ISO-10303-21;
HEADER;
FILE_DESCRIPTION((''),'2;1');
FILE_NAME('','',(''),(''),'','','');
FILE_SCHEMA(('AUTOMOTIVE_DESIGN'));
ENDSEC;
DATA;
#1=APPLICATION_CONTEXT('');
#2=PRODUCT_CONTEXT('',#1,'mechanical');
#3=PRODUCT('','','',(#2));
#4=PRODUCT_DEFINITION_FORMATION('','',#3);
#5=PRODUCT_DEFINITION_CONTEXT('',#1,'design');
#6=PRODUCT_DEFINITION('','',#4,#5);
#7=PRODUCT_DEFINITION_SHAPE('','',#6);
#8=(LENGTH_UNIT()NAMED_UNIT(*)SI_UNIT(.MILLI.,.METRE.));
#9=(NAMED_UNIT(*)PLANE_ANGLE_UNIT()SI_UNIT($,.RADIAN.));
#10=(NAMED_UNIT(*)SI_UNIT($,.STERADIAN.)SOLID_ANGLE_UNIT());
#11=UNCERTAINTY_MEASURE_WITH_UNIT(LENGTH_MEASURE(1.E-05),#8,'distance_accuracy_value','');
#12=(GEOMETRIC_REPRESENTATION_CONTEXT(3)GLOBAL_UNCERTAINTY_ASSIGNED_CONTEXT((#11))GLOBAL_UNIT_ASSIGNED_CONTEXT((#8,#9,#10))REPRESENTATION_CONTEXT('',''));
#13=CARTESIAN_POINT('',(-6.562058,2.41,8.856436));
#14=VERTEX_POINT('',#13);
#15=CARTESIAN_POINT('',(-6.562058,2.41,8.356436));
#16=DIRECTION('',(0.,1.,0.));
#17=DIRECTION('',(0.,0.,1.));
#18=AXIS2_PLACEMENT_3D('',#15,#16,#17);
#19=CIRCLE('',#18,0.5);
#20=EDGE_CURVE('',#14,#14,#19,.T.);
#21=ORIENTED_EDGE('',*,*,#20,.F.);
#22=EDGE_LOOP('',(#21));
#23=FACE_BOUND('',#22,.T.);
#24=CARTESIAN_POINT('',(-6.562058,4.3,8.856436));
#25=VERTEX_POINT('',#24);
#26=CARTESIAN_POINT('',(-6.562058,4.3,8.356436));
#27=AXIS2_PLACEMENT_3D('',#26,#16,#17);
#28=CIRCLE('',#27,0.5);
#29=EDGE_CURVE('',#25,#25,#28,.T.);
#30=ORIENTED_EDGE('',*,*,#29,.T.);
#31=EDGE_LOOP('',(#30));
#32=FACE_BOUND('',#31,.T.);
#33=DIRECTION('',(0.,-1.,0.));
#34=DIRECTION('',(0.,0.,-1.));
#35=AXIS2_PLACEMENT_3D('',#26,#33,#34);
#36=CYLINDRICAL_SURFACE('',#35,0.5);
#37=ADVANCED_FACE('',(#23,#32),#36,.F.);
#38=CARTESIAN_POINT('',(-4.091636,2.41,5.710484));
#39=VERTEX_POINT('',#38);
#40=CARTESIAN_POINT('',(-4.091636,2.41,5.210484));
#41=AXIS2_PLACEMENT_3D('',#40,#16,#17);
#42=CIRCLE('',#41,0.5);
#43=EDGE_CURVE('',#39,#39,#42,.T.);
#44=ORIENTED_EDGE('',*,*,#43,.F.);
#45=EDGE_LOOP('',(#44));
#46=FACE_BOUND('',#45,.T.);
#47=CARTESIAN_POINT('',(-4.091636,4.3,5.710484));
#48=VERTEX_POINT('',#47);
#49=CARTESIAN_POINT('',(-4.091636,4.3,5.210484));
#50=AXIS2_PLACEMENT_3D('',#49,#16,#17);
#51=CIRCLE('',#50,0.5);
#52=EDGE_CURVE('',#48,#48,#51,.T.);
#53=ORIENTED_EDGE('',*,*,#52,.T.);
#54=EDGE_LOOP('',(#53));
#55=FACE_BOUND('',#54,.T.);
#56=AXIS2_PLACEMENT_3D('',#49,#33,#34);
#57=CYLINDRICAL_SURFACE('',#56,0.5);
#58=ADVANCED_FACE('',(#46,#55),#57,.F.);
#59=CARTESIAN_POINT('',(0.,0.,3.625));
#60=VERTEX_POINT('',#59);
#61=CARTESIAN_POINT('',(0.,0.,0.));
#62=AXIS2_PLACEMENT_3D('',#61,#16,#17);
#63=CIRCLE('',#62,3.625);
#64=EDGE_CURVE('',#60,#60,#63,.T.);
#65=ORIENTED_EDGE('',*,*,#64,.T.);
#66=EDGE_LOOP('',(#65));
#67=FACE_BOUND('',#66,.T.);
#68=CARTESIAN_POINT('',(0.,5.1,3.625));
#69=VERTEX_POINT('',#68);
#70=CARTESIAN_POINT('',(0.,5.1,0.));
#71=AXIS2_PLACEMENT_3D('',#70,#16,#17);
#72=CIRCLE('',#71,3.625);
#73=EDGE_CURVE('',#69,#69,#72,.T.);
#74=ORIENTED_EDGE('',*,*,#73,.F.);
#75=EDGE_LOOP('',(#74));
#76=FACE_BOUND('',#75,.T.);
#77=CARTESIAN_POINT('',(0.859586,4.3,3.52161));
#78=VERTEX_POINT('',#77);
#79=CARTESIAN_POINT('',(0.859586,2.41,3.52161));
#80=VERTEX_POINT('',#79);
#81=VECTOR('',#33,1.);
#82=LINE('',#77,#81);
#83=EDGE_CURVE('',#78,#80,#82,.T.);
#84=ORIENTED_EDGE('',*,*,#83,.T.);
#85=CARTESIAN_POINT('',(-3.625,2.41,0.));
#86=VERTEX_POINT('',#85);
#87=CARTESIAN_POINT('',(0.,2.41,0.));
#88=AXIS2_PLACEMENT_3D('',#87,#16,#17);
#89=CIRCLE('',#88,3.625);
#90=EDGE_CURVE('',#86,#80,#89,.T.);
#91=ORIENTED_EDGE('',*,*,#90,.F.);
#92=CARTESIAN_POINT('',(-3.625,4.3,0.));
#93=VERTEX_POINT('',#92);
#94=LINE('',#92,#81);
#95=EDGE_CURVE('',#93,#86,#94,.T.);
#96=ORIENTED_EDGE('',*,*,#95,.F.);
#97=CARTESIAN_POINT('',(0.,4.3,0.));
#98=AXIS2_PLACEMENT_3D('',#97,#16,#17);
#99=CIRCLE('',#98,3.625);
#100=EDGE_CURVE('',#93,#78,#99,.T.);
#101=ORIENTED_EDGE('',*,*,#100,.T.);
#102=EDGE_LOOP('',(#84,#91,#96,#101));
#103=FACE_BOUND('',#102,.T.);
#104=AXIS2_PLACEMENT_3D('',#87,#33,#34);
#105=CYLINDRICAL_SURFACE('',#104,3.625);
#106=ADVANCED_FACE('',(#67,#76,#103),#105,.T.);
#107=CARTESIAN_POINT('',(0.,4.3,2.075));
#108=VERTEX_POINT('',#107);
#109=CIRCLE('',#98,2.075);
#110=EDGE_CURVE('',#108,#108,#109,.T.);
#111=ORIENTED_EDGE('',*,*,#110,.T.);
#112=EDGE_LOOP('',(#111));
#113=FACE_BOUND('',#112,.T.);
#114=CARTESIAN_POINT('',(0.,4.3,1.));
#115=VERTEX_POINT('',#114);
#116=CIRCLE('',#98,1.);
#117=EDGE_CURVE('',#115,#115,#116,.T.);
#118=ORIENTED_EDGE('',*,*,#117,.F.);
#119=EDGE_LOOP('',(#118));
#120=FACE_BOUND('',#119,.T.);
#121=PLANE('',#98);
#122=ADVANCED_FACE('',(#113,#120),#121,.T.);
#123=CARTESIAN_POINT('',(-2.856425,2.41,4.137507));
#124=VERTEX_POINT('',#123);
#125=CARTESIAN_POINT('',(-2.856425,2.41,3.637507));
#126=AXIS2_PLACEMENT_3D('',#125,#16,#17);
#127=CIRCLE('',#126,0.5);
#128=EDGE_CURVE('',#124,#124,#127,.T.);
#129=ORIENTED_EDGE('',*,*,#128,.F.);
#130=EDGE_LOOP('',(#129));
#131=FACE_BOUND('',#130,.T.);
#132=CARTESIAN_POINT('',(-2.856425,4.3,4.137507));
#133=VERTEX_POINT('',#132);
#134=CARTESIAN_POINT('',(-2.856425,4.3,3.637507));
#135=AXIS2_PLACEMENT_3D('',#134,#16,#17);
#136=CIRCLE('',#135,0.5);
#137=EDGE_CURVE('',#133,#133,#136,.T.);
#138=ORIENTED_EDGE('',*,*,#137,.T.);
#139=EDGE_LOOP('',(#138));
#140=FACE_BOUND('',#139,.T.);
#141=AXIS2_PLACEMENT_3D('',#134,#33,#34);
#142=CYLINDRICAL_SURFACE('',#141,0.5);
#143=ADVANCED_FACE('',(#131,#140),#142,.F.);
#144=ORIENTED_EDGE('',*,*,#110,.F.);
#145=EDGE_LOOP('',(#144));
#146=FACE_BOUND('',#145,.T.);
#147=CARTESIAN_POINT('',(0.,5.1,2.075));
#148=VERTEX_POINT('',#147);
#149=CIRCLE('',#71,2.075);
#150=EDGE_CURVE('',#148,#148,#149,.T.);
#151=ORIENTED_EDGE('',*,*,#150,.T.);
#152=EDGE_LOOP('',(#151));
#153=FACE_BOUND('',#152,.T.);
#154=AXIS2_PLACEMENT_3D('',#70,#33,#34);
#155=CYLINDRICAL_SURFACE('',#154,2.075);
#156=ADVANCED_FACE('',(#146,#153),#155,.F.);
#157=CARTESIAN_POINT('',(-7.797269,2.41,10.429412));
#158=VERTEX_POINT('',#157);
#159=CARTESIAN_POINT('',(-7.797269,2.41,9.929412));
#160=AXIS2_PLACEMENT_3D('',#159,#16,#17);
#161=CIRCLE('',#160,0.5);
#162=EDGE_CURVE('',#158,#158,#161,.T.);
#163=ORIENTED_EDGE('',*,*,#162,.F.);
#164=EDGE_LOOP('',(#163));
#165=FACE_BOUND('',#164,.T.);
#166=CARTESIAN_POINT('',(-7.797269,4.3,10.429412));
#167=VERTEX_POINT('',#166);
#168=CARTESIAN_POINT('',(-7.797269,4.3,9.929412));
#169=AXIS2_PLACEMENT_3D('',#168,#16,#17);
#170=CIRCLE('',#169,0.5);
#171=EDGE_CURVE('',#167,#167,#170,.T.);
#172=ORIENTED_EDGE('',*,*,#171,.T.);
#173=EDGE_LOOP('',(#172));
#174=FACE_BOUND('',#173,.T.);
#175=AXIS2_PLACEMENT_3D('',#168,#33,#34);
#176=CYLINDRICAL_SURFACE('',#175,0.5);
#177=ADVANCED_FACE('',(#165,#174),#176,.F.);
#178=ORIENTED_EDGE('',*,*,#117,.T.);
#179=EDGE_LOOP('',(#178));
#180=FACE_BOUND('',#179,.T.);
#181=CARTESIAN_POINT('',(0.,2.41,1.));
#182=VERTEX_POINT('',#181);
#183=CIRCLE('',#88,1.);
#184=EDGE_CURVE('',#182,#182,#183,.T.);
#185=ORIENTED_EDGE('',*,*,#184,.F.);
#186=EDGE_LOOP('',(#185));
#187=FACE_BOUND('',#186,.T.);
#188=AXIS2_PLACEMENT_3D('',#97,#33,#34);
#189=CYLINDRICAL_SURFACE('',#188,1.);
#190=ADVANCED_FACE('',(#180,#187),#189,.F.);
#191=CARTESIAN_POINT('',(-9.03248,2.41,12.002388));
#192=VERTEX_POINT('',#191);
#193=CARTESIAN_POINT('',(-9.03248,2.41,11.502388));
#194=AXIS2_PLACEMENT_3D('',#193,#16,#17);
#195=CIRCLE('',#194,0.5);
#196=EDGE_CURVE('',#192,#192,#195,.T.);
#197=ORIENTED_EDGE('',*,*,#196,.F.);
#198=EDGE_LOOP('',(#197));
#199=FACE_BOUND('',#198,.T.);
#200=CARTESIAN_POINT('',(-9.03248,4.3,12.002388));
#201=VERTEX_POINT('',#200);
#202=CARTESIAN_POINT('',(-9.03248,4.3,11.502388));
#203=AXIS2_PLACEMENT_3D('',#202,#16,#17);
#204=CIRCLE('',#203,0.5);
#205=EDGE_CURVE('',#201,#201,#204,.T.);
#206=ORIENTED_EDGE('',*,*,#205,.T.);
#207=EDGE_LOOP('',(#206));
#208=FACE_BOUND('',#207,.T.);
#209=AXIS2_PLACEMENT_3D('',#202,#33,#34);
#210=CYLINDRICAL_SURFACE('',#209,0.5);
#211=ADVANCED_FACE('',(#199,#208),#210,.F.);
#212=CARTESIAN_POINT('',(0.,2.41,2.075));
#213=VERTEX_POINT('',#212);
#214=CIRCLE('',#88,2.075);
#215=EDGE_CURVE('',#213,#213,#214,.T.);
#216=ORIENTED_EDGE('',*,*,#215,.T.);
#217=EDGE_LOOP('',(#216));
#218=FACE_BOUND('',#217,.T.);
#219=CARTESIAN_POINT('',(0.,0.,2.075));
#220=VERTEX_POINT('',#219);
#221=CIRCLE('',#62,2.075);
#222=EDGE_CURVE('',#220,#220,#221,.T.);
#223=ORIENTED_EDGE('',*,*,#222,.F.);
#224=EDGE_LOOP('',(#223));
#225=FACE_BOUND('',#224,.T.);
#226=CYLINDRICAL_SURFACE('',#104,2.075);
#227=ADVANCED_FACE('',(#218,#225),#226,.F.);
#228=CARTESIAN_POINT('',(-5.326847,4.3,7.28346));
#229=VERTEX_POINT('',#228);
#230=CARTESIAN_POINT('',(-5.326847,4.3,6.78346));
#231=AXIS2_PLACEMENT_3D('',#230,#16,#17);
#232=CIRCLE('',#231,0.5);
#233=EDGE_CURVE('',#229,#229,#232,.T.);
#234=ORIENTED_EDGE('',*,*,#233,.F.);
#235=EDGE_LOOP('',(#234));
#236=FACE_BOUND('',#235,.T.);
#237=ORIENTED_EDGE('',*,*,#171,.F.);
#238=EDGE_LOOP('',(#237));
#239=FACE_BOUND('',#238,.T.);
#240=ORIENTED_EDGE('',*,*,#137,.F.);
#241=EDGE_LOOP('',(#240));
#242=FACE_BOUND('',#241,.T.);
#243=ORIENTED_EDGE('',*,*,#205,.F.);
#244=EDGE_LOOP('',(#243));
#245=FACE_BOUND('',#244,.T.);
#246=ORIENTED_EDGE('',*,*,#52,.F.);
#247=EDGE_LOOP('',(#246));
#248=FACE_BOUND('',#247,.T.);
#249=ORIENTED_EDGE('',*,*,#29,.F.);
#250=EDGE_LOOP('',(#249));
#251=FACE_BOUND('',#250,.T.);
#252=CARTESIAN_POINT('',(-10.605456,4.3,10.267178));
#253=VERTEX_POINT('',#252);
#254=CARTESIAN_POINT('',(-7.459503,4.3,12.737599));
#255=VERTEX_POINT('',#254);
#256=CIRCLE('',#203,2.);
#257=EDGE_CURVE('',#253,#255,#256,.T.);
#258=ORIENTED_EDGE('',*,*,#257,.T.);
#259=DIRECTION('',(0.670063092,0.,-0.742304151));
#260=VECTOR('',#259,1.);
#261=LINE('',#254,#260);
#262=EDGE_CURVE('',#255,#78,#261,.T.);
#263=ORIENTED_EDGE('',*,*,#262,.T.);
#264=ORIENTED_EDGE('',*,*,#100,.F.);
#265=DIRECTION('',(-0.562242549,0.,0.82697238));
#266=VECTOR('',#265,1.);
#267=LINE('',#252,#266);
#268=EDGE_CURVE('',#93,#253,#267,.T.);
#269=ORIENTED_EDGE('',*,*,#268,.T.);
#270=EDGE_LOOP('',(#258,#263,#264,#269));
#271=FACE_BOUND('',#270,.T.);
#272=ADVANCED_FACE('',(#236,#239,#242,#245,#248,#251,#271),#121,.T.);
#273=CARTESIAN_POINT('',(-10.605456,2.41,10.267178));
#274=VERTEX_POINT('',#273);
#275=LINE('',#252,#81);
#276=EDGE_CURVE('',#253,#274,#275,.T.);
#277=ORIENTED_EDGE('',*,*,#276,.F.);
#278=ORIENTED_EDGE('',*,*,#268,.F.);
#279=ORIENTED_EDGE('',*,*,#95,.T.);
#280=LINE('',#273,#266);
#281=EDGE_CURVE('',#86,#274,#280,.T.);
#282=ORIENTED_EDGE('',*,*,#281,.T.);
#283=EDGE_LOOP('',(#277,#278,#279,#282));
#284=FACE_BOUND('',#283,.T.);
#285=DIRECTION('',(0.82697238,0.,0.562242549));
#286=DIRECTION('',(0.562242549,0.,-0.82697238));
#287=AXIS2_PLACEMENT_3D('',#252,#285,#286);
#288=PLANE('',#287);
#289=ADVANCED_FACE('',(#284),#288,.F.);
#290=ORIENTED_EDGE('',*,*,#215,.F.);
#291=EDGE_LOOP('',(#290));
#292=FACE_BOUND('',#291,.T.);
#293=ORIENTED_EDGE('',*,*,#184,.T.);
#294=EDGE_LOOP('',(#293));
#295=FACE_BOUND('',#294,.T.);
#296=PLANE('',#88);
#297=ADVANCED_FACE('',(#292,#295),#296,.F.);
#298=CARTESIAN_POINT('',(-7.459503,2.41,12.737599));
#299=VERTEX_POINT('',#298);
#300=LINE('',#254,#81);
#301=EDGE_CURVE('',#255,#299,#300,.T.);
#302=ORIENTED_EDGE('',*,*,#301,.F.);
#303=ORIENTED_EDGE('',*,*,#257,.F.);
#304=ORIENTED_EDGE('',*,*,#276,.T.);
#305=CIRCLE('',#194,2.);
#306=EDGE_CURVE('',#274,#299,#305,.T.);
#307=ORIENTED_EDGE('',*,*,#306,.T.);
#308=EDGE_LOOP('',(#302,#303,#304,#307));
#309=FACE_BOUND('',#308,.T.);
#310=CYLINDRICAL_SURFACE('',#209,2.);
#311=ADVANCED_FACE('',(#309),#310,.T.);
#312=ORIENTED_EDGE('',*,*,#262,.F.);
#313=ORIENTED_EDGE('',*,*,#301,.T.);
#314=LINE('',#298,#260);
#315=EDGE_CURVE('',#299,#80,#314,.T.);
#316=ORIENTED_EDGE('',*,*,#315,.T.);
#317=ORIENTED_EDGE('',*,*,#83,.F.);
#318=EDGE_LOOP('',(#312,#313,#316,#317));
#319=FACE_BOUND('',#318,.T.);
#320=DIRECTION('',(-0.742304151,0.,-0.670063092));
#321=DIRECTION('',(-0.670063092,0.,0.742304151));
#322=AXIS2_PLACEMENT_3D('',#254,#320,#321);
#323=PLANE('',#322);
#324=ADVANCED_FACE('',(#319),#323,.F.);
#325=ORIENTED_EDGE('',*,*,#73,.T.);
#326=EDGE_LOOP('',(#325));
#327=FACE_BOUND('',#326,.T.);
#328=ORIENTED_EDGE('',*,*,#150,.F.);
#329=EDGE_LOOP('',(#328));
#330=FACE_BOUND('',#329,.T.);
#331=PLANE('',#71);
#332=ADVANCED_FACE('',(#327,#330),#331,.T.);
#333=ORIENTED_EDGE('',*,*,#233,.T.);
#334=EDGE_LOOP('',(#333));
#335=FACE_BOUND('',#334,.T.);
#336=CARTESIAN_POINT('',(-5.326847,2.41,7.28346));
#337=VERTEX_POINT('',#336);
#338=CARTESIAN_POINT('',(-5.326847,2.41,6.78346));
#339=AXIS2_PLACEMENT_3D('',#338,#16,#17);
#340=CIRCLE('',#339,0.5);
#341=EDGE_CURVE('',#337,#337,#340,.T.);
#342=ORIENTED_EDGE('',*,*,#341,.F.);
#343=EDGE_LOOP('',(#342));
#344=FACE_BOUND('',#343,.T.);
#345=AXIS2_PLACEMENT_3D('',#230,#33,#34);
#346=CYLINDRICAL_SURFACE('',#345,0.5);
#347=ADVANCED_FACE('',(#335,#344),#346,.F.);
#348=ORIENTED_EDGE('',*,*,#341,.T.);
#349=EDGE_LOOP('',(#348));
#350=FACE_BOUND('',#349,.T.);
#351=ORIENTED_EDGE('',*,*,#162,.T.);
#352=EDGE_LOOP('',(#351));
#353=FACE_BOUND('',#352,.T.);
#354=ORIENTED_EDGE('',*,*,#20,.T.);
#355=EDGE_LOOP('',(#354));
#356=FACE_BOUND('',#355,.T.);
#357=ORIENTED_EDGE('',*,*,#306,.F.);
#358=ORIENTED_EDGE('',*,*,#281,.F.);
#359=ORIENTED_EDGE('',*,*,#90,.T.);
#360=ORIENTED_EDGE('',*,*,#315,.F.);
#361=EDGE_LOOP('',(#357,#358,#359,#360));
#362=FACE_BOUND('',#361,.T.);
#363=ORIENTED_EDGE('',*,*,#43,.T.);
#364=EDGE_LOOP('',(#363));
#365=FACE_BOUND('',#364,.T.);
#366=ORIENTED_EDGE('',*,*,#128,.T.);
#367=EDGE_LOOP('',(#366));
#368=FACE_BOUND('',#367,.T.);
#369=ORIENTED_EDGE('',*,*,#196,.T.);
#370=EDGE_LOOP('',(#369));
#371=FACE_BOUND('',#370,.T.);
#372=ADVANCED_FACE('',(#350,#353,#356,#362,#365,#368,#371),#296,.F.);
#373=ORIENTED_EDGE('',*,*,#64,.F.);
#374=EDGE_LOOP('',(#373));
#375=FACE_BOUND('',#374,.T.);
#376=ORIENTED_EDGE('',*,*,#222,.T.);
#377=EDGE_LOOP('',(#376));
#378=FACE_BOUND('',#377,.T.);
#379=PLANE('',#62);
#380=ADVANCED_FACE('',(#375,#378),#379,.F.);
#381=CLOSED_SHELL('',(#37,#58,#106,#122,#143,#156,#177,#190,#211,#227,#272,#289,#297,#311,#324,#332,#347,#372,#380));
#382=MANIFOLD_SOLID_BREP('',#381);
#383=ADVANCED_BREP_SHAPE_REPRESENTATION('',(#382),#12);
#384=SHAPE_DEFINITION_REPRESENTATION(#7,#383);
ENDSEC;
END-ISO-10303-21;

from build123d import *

# Parameters (mm, degrees)
SKETCH1_R           = 3.625
SKETCH1_R_2         = 2.075
BOSS_EXTRUDE1_DEPTH = 2.41
SKETCH2_R           = 1
SKETCH2_R_2         = 0.5
BOSS_EXTRUDE3_DEPTH = 1.89
BOSS_EXTRUDE4_START = 4.3
SKETCH1_2_R         = 3.625
SKETCH1_2_R_2       = 2.075
BOSS_EXTRUDE4_DEPTH = 0.8


with BuildPart() as part:
    # Sketch1 → Boss-Extrude1 (new body)
    with BuildSketch(Plane(origin=(0, 0, 0), x_dir=(1, 0, 0), z_dir=(0, 1, 0))):
        with Locations(Location((0, 0, 0), (0, 0, 270))):
            Circle(SKETCH1_R)
        with Locations(Location((0, 0, 0), (0, 0, 270))):
            Circle(SKETCH1_R_2, mode=Mode.SUBTRACT)
    extrude(amount=BOSS_EXTRUDE1_DEPTH)

    # Sketch2 → Boss-Extrude3 (add)
    with BuildSketch(Plane(origin=(0, 2.41, 0), x_dir=(1, 0, 0), z_dir=(0, 1, 0))):
        with BuildLine():
            Line((-10.6054557, -10.267177528), (-3.625, 0))
            ThreePointArc((-3.625, 0), (2.238819707, 2.851019347), (0.859585555, -3.521610097))
            Line((0.859585555, -3.521610097), (-7.459503317, -12.737599274))
            ThreePointArc((-7.459503317, -12.737599274), (-10.267690381, -13.075364593), (-10.6054557, -10.267177528))
        make_face()
        with Locations(Location((0, 0, 0), (0, 0, 270))):
            Circle(SKETCH2_R, mode=Mode.SUBTRACT)
        with Locations(Location((-9.032479508, -11.502388401, 0), (0, 0, 270))):
            Circle(SKETCH2_R_2, mode=Mode.SUBTRACT)
        with Locations(Location((-7.797268635, -9.92941221, 0), (0, 0, 270))):
            Circle(SKETCH2_R_2, mode=Mode.SUBTRACT)
        with Locations(Location((-6.562057762, -8.356436018, 0), (0, 0, 270))):
            Circle(SKETCH2_R_2, mode=Mode.SUBTRACT)
        with Locations(Location((-5.32684689, -6.783459826, 0), (0, 0, 270))):
            Circle(SKETCH2_R_2, mode=Mode.SUBTRACT)
        with Locations(Location((-4.091636017, -5.210483635, 0), (0, 0, 270))):
            Circle(SKETCH2_R_2, mode=Mode.SUBTRACT)
        with Locations(Location((-2.856425144, -3.637507443, 0), (0, 0, 270))):
            Circle(SKETCH2_R_2, mode=Mode.SUBTRACT)
    extrude(amount=BOSS_EXTRUDE3_DEPTH)

    # Sketch1<2> → Boss-Extrude4 (add)
    with BuildSketch(Plane(origin=(0, 0, 0), x_dir=(1, 0, 0), z_dir=(0, 1, 0)).offset(BOSS_EXTRUDE4_START)):
        with Locations(Location((0, 0, 0), (0, 0, 270))):
            Circle(SKETCH1_2_R)
        with Locations(Location((0, 0, 0), (0, 0, 270))):
            Circle(SKETCH1_2_R_2, mode=Mode.SUBTRACT)
    extrude(amount=BOSS_EXTRUDE4_DEPTH)


solid = part.part
